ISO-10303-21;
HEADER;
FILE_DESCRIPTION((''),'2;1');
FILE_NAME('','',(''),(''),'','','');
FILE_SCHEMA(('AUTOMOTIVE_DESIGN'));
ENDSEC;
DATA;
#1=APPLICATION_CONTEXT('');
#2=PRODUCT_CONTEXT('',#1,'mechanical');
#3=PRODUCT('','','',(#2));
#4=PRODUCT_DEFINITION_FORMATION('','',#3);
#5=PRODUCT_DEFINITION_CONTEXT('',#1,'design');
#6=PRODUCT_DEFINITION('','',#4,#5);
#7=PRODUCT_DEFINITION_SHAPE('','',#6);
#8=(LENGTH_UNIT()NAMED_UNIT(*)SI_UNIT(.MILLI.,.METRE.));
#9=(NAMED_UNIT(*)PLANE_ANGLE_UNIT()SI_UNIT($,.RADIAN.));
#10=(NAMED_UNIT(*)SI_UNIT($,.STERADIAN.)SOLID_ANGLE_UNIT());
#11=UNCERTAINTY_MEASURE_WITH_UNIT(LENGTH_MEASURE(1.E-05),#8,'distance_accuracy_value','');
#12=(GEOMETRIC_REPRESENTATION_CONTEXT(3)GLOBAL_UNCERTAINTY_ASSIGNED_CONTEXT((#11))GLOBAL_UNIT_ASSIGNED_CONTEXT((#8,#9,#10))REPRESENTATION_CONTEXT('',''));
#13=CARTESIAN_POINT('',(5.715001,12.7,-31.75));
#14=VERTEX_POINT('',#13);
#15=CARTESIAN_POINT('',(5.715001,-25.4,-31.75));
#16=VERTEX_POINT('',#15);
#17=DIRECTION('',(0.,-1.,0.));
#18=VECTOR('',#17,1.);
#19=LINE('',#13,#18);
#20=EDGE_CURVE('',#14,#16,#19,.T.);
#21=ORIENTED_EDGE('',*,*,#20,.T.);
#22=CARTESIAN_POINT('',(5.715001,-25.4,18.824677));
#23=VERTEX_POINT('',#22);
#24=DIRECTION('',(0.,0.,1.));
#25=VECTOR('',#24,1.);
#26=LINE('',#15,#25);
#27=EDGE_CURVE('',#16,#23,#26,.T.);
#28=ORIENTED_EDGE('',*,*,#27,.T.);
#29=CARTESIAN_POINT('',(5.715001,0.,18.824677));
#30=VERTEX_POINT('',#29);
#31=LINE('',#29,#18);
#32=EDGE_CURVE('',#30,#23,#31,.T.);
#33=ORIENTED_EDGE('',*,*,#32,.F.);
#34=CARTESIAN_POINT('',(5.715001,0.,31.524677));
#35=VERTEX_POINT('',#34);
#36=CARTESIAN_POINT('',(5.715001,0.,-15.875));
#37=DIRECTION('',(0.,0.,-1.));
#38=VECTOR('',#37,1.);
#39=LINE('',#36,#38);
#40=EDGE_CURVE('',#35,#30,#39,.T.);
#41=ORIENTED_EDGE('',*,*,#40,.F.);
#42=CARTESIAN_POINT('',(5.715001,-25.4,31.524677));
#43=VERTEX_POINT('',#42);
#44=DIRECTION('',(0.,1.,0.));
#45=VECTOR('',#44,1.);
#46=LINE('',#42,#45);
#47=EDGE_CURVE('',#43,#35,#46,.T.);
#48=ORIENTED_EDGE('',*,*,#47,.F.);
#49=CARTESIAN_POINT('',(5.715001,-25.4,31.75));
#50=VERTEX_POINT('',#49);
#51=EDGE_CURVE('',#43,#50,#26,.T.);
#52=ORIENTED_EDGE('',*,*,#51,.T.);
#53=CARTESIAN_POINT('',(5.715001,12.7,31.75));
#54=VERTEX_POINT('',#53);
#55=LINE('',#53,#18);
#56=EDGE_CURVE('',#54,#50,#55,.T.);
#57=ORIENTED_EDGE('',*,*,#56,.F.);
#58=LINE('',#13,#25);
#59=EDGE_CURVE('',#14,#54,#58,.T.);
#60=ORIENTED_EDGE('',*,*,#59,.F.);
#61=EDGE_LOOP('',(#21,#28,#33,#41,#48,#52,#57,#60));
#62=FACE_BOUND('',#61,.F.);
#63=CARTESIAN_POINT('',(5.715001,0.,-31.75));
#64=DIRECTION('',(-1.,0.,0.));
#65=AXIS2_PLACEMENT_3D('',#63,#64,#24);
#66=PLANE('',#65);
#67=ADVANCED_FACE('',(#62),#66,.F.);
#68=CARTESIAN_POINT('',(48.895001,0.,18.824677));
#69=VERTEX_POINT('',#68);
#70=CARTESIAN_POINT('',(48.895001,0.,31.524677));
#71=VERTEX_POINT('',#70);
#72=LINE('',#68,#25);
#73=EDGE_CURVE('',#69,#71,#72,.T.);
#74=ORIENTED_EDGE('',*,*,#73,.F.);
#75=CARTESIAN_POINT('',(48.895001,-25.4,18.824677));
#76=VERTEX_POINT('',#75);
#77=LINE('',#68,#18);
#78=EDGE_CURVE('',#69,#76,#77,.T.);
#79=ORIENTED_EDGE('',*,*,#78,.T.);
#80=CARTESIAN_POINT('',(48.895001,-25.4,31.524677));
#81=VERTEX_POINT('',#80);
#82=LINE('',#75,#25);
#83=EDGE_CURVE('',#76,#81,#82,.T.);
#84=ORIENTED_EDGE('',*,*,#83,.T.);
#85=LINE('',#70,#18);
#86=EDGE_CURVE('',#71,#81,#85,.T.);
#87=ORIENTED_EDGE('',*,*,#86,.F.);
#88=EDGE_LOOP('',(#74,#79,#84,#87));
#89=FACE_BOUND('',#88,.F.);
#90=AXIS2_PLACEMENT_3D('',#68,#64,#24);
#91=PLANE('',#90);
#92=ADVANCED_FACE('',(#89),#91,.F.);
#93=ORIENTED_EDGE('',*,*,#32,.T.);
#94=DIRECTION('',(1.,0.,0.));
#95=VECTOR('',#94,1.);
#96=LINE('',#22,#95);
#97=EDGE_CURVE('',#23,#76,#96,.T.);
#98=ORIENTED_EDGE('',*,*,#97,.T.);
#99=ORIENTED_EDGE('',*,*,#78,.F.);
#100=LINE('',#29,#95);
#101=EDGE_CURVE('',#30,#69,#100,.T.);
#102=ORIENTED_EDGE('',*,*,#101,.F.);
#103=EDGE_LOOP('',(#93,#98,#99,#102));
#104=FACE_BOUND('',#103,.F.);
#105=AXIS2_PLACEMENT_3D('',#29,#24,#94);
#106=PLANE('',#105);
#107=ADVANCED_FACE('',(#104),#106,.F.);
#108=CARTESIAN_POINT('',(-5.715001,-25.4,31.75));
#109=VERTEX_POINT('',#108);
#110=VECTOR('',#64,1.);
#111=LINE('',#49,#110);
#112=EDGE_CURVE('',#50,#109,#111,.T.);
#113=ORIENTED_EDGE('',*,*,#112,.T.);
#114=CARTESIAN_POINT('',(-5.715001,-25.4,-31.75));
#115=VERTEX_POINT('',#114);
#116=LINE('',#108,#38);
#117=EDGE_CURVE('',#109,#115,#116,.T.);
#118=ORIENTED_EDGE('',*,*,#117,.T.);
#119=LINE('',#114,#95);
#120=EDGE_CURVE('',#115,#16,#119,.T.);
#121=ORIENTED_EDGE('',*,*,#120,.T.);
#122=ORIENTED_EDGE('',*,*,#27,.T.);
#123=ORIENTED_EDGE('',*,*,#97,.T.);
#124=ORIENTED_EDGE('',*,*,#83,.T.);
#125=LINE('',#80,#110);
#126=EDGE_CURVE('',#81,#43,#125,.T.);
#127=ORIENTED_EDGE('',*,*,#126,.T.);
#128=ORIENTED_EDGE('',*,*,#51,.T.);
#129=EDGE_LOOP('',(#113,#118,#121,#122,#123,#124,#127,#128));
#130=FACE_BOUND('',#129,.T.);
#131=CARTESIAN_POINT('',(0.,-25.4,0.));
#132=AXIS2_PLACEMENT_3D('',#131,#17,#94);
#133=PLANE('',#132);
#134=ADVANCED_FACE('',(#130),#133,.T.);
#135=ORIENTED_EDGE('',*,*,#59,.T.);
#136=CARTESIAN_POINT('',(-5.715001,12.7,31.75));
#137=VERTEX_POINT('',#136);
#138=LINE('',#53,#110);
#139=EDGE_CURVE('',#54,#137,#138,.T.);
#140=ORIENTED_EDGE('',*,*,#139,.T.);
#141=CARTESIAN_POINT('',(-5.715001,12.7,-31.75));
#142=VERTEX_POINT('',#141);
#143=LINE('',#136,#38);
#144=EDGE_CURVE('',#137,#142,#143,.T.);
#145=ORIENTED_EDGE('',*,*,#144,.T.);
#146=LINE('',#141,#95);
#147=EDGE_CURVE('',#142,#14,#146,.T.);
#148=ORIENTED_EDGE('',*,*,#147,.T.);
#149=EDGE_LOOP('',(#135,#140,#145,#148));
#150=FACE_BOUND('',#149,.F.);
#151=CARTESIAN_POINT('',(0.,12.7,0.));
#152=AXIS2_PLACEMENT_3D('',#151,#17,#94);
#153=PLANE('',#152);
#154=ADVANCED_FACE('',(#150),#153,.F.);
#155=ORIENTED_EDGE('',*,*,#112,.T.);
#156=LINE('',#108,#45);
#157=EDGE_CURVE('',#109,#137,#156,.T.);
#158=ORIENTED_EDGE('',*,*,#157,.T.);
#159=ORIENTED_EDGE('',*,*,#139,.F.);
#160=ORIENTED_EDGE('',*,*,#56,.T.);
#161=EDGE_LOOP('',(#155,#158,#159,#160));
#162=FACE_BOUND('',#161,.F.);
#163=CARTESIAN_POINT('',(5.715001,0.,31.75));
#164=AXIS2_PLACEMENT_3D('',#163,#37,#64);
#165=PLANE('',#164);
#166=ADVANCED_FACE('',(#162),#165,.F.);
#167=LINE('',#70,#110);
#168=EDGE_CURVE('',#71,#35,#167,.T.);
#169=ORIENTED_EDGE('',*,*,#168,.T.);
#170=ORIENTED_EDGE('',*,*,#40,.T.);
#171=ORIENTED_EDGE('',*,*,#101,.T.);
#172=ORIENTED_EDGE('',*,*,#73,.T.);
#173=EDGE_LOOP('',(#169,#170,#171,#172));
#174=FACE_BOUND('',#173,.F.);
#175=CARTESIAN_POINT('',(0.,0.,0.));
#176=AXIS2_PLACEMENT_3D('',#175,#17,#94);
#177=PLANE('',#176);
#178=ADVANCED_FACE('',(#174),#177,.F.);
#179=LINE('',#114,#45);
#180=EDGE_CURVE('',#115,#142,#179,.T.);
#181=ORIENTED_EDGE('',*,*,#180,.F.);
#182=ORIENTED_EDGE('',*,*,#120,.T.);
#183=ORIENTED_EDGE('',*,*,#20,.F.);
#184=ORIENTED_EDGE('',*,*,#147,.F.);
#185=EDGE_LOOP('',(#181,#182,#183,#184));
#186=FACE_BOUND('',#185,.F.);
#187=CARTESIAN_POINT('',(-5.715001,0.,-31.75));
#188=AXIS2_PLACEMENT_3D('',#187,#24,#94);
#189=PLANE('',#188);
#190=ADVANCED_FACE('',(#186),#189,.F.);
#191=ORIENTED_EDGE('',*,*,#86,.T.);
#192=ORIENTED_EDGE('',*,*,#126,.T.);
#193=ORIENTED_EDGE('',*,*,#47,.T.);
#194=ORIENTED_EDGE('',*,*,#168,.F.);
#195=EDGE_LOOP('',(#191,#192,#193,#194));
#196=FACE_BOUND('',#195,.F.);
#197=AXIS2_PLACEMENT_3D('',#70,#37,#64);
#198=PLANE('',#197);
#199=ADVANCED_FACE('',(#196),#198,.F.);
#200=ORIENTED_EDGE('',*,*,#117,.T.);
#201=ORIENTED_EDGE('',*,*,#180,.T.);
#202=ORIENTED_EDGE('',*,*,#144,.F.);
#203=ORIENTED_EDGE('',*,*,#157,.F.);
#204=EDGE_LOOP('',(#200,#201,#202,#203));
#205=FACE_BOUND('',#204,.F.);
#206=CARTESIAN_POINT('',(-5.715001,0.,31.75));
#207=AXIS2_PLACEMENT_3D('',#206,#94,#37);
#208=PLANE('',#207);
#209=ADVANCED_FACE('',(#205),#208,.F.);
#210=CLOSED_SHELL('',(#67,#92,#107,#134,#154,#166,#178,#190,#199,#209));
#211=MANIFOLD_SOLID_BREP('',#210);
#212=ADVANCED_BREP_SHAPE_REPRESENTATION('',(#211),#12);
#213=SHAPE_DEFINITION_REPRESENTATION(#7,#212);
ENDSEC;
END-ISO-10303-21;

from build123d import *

# Parameters (mm, degrees)
F1_DEPTH = 12.7
F2_DEPTH = 25.4


with BuildPart() as f1:
    # F0 (on Front) → F1 (new body, symmetric)
    with BuildSketch(Plane.XZ):
        Polygon((-5.715001, -31.75), (5.715001, -31.75), (5.715001, 18.824677), (5.715001, 31.524677), (5.715001, 31.75), (-5.715001, 31.75), align=None)
    extrude(amount=F1_DEPTH, both=True)

    # F0 (on Front) → F2 (join)
    with BuildSketch(Plane.XZ):
        Polygon((-5.715001, -31.75), (5.715001, -31.75), (5.715001, 18.824677), (5.715001, 31.524677), (5.715001, 31.75), (-5.715001, 31.75), align=None)
        Polygon((5.715001, 31.524677), (5.715001, 18.824677), (5.919492, 18.824677), (48.895001, 18.824677), (48.895001, 31.524677), align=None)
    extrude(amount=F2_DEPTH)


solid = f1.part
